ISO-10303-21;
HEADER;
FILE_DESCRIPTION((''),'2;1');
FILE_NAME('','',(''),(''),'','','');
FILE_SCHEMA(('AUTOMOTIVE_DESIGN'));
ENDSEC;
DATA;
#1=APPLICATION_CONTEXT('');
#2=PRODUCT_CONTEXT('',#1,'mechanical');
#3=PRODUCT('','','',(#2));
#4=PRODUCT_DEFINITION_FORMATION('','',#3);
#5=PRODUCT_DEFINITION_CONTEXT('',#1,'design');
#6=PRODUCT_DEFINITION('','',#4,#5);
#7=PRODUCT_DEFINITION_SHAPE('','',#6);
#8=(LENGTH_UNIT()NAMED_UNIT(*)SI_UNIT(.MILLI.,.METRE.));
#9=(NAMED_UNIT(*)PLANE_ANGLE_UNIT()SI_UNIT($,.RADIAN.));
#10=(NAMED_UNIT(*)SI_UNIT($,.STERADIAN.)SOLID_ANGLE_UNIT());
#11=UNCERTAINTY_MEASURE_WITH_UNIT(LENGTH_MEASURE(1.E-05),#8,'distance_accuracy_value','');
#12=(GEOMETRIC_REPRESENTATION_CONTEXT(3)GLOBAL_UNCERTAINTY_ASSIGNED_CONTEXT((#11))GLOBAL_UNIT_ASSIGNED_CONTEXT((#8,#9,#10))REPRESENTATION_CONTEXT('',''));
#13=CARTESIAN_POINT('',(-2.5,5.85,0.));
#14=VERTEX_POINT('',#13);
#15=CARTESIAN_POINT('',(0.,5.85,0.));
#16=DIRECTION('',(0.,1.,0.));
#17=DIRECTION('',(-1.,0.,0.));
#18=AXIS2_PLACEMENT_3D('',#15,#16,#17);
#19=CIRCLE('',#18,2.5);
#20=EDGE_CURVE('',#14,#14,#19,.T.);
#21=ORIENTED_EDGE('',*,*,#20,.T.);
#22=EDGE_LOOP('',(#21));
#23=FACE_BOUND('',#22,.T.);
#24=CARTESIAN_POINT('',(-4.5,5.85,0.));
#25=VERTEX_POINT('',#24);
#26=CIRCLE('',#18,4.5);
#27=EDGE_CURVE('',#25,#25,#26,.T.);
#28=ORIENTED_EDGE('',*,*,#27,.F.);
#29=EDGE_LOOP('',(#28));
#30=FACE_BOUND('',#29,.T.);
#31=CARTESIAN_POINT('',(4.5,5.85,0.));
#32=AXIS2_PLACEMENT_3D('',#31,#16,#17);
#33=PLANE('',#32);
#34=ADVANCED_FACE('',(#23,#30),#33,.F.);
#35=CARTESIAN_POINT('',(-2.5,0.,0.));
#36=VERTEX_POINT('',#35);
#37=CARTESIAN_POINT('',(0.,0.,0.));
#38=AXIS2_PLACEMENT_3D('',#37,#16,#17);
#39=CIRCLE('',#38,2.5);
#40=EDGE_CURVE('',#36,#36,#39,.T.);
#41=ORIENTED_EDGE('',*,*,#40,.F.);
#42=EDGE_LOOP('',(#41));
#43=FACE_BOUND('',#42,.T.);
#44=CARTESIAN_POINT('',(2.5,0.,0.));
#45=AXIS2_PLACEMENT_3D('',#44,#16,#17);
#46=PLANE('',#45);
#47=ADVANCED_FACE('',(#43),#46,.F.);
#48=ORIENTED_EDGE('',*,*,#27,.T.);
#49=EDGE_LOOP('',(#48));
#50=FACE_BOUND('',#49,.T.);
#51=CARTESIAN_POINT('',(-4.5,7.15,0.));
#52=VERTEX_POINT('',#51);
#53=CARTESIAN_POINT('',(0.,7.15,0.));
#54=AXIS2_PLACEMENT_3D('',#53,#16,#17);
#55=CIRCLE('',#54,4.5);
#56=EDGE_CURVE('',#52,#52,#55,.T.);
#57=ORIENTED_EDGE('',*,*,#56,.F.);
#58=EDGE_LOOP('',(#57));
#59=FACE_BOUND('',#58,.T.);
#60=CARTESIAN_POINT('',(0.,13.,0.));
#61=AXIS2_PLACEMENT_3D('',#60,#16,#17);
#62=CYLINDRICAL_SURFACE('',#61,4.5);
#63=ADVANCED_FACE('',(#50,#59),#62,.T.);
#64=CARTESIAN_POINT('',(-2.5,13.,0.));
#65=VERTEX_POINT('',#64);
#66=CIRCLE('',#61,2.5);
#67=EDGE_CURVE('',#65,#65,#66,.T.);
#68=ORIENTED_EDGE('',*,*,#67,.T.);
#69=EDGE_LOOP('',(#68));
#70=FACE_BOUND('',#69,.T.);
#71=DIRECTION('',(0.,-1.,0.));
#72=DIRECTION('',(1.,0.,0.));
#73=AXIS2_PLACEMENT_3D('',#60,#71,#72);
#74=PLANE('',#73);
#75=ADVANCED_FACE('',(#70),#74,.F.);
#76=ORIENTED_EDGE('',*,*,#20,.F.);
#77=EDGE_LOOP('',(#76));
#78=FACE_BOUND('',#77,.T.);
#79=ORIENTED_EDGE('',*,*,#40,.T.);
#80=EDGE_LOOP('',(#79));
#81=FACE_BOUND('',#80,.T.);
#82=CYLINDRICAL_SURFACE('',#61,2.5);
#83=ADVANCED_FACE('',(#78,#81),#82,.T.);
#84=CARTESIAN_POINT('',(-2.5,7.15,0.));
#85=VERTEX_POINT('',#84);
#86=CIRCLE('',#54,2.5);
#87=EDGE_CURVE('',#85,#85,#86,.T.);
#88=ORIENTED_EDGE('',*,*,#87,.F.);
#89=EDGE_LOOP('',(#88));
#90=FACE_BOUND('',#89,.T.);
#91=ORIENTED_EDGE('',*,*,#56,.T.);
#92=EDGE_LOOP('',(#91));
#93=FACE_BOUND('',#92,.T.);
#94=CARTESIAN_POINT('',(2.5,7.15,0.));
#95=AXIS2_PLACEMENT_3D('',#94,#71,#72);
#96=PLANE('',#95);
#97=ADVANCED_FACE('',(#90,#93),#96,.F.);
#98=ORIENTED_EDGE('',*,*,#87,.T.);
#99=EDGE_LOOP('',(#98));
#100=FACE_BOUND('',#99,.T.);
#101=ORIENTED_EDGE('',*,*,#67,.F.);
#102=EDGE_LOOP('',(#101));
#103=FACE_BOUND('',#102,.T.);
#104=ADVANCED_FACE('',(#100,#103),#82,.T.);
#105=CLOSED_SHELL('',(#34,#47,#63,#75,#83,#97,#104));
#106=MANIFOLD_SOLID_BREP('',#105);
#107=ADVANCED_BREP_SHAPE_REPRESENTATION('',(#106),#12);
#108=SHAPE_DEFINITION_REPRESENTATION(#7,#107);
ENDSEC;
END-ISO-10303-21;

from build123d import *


with BuildPart() as part:
    # 草图1 → 旋转1 (revolve)
    with BuildSketch(Plane.XY, mode=Mode.PRIVATE) as revolve_1_sk:
        Polygon((0, 13), (0, 0), (2.5, 0), (2.5, 5.85), (4.5, 5.85), (4.5, 7.15), (2.5, 7.15), (2.5, 13), align=None)
    revolve(revolve_1_sk.sketch.rotate(Axis((0, 13, 0), (0, -1, 0)), 180), axis=Axis((0, 13, 0), (0, -1, 0)))


solid = part.part
